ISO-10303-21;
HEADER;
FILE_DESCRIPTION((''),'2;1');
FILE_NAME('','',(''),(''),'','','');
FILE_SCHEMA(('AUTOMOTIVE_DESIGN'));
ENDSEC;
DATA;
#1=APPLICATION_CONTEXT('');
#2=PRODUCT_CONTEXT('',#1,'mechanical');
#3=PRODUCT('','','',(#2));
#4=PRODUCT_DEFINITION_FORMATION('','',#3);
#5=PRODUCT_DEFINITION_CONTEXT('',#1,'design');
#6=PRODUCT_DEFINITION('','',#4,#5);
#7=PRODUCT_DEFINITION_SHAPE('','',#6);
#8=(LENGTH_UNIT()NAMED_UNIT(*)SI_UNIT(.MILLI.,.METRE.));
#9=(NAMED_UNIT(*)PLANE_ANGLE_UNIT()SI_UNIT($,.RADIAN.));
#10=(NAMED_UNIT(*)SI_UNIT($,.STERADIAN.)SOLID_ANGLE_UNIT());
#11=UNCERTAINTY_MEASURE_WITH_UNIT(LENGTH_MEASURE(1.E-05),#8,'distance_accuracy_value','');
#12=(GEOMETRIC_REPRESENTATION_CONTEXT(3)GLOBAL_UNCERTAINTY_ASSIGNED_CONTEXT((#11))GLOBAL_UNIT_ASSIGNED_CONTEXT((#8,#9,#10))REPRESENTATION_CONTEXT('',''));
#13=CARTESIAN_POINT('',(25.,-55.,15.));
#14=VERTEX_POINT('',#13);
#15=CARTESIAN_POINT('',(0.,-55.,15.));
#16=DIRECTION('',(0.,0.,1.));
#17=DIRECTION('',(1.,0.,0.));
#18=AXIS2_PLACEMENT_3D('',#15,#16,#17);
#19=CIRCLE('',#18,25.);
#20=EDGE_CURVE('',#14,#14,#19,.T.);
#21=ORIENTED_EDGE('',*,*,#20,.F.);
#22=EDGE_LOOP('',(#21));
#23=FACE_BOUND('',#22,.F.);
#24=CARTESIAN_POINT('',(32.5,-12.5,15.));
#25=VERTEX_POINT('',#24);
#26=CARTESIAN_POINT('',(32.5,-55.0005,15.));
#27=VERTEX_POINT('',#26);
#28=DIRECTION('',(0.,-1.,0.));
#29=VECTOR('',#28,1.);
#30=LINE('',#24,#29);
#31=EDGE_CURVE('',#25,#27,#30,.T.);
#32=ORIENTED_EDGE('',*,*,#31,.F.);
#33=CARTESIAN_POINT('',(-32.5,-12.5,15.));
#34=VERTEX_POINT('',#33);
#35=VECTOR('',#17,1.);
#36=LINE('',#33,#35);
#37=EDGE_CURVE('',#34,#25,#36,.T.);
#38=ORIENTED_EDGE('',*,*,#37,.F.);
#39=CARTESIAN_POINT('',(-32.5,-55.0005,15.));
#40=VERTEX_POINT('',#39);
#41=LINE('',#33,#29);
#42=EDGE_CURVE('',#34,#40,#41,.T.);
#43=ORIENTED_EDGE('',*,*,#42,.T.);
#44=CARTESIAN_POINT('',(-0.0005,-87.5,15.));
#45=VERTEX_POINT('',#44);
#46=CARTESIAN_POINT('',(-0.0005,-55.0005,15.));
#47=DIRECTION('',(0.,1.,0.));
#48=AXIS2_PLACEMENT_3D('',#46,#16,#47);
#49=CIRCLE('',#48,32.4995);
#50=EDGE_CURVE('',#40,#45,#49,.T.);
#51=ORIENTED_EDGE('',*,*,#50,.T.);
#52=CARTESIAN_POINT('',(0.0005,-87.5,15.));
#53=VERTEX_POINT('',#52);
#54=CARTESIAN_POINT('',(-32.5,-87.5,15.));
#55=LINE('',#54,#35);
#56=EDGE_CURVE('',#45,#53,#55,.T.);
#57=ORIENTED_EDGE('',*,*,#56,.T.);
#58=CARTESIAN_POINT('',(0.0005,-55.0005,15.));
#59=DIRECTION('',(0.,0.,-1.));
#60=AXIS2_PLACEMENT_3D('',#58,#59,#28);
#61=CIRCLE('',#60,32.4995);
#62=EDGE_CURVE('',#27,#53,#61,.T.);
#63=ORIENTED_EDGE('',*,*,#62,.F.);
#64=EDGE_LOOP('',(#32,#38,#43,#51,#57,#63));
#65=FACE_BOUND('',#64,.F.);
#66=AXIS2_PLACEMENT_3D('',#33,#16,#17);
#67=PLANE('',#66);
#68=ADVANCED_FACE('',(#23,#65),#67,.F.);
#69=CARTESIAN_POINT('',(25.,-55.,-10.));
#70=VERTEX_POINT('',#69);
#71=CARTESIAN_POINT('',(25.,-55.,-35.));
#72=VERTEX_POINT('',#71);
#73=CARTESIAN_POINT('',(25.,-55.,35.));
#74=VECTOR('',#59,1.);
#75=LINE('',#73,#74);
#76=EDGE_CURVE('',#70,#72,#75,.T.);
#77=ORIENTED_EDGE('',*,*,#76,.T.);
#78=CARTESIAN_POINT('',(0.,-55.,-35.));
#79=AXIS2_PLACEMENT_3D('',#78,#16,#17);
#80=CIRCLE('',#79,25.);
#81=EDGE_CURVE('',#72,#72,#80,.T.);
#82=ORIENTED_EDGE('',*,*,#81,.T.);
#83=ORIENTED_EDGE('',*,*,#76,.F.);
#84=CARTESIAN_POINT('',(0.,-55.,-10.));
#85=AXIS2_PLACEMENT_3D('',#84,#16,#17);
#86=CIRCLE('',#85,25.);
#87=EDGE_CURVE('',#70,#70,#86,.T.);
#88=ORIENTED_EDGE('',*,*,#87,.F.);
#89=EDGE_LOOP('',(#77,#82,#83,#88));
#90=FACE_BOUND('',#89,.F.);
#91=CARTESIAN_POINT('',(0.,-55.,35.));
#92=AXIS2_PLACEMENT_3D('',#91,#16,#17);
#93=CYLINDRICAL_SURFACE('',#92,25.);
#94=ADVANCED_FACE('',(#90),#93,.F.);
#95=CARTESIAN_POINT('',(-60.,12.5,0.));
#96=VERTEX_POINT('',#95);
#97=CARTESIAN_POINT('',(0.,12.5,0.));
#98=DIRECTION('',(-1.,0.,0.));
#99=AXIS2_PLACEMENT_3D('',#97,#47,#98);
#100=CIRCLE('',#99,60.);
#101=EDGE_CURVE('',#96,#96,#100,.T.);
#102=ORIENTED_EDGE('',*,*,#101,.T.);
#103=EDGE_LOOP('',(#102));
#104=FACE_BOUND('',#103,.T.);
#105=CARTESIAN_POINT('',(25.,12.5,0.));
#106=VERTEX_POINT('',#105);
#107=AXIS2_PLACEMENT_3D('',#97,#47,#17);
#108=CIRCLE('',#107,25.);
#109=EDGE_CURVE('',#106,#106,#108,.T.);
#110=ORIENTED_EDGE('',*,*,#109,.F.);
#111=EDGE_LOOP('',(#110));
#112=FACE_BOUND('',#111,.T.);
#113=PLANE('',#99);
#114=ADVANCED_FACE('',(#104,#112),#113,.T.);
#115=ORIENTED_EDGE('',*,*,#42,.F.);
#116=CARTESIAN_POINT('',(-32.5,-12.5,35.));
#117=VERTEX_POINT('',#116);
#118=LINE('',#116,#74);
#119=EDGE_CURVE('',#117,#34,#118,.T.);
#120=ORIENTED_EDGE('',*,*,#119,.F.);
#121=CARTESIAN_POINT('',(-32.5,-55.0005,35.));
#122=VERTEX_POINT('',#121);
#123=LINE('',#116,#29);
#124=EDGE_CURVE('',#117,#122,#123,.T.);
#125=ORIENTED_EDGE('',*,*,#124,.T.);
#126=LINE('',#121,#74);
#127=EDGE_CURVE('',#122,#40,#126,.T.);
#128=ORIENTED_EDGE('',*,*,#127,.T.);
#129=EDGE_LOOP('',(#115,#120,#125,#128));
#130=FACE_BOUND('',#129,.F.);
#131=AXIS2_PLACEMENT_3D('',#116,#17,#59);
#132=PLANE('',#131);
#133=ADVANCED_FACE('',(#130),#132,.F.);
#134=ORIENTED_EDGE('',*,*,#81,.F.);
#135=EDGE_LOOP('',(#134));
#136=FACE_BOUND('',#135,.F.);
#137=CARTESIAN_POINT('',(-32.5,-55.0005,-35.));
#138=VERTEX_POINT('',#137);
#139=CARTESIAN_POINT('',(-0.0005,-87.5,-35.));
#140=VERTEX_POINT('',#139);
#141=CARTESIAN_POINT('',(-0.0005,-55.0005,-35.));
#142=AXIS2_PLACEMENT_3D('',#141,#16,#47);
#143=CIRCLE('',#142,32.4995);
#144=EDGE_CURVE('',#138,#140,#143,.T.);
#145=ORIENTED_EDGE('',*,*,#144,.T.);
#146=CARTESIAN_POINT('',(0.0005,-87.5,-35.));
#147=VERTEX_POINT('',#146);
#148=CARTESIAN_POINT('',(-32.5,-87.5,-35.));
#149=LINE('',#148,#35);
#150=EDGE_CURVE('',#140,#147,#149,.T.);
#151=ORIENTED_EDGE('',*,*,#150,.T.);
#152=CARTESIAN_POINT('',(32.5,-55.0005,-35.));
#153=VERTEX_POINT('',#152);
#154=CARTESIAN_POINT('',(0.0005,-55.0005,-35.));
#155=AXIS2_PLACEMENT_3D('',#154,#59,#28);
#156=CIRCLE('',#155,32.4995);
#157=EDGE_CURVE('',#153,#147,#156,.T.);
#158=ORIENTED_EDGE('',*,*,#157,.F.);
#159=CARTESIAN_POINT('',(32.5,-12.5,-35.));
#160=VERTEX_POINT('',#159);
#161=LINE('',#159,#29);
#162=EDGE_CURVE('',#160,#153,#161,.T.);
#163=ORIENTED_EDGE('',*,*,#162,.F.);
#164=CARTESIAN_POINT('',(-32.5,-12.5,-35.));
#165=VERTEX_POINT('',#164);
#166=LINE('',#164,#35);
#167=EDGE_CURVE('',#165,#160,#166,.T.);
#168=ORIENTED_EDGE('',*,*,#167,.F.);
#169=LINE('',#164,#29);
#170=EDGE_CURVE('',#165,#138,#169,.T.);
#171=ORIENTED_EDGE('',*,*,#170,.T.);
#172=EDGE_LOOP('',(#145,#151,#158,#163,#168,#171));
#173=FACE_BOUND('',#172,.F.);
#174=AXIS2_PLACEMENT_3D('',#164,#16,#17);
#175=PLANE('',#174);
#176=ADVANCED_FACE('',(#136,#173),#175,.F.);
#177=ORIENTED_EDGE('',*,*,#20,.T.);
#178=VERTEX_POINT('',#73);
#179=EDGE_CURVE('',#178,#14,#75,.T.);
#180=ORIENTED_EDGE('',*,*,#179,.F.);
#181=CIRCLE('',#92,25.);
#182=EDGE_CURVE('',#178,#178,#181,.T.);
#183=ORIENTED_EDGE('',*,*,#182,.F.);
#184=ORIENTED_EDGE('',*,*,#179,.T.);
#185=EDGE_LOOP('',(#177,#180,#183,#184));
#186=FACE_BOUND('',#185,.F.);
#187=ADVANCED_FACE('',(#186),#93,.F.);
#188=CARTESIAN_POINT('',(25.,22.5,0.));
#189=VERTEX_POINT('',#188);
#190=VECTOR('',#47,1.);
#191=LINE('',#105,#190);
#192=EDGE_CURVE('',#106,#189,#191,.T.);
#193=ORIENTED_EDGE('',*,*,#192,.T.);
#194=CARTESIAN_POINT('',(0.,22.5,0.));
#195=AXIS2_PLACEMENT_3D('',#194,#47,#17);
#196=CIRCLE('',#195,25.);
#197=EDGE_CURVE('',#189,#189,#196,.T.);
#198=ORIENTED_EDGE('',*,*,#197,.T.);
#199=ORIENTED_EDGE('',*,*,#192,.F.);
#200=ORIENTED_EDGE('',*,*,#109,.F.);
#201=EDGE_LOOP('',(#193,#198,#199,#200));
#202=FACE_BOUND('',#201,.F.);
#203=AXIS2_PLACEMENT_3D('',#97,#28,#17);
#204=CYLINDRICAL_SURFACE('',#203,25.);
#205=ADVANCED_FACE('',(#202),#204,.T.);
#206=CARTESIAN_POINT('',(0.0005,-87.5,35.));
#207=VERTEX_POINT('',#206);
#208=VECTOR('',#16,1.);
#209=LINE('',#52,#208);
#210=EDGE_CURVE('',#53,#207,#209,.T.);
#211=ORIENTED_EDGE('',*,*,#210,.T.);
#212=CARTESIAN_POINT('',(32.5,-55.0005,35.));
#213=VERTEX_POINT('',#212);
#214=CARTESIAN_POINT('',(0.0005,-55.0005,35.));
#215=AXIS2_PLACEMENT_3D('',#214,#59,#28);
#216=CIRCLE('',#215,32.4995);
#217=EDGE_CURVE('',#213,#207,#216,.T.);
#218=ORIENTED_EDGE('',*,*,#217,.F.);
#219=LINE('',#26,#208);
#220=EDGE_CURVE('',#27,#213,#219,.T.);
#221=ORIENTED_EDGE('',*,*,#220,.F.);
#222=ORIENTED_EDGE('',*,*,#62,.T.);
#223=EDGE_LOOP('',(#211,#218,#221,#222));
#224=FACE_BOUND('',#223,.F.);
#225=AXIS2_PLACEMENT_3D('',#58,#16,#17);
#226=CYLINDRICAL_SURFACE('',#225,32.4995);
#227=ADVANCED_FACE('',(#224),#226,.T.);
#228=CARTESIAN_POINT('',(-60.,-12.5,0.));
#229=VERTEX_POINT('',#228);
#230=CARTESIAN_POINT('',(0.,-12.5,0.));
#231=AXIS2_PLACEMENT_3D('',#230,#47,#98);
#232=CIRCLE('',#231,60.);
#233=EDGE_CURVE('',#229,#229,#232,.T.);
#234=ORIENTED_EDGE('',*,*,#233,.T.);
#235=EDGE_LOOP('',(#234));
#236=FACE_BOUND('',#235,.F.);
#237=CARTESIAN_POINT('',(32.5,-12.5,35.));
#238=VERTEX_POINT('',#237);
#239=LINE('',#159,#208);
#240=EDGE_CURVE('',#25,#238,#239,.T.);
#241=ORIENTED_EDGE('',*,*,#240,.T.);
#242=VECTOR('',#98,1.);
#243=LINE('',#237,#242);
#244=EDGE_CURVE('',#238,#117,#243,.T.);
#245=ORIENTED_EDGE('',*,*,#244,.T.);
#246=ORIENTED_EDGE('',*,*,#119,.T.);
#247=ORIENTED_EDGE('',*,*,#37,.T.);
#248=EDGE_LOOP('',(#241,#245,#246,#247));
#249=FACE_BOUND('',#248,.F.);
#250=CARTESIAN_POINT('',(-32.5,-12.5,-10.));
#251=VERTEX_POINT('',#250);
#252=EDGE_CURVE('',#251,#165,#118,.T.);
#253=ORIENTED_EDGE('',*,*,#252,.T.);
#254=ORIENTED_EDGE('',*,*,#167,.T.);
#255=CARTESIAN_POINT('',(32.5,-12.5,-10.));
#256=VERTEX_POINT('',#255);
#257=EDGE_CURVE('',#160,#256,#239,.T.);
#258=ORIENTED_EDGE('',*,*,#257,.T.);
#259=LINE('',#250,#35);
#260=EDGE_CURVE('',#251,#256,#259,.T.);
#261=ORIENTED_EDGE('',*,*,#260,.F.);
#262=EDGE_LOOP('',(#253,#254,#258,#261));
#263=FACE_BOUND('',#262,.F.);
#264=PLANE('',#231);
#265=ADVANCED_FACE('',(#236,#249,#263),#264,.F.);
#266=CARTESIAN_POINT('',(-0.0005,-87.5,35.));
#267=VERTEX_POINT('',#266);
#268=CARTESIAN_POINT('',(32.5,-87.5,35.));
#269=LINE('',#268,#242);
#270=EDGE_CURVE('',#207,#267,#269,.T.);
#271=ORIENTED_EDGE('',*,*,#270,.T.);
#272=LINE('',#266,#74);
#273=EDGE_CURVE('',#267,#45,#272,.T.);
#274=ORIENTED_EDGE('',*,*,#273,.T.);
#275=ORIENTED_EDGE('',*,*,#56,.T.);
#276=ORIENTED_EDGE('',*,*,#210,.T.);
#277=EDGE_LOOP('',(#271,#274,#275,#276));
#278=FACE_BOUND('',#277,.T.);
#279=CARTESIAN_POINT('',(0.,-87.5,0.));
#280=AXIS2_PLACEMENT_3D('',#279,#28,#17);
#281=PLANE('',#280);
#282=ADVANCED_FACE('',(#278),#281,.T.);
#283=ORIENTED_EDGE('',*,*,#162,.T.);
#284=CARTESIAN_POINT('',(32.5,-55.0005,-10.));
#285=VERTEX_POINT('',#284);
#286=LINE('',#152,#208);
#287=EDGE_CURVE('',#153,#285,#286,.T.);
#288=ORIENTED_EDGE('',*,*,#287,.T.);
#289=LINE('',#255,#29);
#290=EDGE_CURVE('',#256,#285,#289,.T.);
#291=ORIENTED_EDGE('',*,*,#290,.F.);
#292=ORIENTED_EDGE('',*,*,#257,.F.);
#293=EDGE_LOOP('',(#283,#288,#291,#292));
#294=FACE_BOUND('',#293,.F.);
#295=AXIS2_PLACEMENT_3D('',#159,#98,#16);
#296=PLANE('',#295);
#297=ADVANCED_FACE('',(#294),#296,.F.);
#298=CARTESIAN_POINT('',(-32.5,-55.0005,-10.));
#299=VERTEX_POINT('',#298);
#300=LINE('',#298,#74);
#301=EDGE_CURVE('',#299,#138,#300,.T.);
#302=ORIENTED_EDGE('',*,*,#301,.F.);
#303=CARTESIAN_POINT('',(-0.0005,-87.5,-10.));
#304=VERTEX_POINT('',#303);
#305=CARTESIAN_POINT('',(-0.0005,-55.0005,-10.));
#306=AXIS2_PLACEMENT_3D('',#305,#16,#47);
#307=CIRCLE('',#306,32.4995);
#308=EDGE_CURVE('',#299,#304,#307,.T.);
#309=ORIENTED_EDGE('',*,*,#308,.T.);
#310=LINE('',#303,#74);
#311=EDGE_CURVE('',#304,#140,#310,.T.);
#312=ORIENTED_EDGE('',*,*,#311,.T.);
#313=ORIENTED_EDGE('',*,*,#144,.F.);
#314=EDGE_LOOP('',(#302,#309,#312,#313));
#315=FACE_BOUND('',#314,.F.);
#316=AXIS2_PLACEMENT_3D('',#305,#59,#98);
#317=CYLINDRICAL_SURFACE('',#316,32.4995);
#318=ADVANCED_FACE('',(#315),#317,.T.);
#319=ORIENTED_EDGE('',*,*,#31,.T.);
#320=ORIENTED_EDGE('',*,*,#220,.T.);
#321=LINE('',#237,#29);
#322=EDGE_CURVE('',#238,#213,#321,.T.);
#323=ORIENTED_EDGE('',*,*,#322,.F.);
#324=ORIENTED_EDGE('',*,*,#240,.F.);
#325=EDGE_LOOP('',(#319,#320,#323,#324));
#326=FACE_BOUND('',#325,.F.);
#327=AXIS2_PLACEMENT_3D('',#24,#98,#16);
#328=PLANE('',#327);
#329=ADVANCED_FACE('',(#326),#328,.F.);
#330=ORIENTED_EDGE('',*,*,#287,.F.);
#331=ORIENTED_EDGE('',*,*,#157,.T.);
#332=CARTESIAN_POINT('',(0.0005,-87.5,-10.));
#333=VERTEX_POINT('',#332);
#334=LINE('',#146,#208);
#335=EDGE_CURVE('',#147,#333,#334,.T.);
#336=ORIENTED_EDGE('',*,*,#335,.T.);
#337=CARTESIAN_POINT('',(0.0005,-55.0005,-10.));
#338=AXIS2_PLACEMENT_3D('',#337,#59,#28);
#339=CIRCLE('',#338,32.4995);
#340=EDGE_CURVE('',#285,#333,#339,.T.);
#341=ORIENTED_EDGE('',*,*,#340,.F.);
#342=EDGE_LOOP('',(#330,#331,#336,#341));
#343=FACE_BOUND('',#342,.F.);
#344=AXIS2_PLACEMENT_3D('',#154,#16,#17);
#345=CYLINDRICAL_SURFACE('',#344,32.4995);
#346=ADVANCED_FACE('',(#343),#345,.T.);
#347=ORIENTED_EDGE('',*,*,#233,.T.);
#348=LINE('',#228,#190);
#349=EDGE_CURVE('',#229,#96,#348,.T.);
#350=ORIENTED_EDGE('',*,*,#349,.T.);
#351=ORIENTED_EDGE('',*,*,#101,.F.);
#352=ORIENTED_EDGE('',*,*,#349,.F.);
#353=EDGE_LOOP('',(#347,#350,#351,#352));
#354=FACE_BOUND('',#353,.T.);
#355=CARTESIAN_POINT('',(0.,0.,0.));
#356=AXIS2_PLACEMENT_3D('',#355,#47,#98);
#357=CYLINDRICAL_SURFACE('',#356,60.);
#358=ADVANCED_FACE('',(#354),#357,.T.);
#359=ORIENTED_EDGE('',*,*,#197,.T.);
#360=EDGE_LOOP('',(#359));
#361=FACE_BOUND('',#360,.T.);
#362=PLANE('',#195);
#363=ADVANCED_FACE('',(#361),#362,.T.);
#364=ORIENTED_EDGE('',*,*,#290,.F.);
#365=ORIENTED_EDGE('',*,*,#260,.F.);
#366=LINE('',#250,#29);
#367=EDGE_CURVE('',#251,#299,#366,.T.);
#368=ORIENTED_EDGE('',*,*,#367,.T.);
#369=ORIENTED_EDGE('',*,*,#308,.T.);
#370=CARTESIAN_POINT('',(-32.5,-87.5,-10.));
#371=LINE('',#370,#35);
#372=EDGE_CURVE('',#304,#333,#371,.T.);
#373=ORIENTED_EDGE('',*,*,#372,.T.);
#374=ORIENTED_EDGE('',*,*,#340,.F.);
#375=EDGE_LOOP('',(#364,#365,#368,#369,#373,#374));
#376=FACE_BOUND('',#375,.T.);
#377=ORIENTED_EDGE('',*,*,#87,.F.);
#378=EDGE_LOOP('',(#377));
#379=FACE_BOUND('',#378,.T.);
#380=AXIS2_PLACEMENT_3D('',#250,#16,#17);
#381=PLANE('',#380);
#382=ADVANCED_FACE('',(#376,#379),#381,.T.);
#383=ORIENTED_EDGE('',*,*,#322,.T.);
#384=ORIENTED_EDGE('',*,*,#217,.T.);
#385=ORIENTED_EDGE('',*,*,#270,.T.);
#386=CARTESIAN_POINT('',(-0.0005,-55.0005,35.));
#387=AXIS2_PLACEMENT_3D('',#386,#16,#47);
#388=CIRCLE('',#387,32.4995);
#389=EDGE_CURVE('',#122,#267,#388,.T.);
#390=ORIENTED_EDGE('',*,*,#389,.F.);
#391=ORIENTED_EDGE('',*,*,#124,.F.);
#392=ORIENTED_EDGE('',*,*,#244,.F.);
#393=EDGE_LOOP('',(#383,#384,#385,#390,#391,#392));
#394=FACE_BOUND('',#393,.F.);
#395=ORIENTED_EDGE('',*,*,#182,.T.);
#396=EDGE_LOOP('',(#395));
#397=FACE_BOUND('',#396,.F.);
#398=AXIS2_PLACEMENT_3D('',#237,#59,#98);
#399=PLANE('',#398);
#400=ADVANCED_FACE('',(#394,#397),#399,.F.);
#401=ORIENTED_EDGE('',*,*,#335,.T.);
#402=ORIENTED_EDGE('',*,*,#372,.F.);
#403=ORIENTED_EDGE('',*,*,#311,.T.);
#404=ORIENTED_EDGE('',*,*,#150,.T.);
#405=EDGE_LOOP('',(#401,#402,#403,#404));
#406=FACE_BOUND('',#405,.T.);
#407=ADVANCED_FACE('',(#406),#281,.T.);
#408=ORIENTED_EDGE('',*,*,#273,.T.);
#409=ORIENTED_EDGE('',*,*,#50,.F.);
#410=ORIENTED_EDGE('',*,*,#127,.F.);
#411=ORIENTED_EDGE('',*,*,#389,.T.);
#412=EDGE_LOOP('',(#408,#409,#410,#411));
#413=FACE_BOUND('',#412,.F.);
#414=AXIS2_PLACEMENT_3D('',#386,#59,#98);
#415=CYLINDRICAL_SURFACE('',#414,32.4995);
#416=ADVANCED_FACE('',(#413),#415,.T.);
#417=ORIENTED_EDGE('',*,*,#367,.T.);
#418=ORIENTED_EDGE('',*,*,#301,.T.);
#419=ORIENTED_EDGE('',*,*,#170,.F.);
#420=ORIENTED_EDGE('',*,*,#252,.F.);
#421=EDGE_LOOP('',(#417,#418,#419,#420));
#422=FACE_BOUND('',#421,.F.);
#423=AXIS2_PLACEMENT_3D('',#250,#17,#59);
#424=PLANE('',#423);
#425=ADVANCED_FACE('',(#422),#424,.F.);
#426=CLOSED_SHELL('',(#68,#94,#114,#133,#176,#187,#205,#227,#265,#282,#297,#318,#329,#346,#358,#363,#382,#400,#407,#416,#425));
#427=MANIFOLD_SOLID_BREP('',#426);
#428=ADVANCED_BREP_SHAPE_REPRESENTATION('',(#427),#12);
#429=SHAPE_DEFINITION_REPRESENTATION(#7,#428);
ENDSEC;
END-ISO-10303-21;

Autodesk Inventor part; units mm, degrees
ref_plane "YZ Plane" through (0, 0, 0) normal (1, 0, 0) x (0, 1, 0)
ref_plane "XZ Plane" through (0, 0, 0) normal (0, 1, 0) x (-1, 0, 0)
ref_plane "XY Plane" through (0, 0, 0) normal (0, 0, 1) x (1, 0, 0)
sketch "Sketch1" plane through (0, 0, 0) normal (0, 1, 0) x (-1, 0, 0)
  circle A0 centre (0, 0) radius 60
  dimension "d0" = 120
extrude "Extrusion1" add sketch "Sketch1" along normal mid plane 25
sketch "Sketch2" plane through (0, 12.5, 0) normal (0, 1, 0) x (1, 0, 0)
  circle A0 centre (0, 0) radius 60 projected
  circle A1 centre (0, 0) radius 25
  dimension "d3" = 50
extrude "Extrusion2" add sketch "Sketch2" along normal blind 10 contours A1
sketch "Sketch3" plane through (0, -12.5, 0) normal (0, -1, 0) x (1, 0, 0)
  line L0 (32.5, 35) -> (-32.5, 35)
  line L1 (-32.5, 35) -> (-32.5, -35)
  line L2 (-32.5, -35) -> (32.5, -35)
  line L3 (32.5, -35) -> (32.5, 35)
  line L4 (32.5, 35) -> (-32.5, -35) construction
  line L5 (-32.5, 35) -> (32.5, -35) construction
  line L6 (32.5, 35) -> (-32.5, 35)
  line L7 (-32.5, 35) -> (-32.5, 15)
  line L8 (-32.5, 15) -> (32.5, 15)
  line L9 (32.5, 15) -> (32.5, 35)
  line L10 (32.5, -35) -> (-32.5, -35)
  line L11 (-32.5, -35) -> (-32.5, -10)
  line L12 (-32.5, -10) -> (32.5, -10)
  line L13 (32.5, -10) -> (32.5, -35)
  point P0 (0, 0)
  dimension "d6" = 65
  dimension "d7" = 70
  dimension "d8" = 20
  dimension "d9" = 25
extrude "Extrusion3" add sketch "Sketch3" along normal blind 75 contours L3 L8 L1 L0 | L3 L2 L1 L12
fillet "Fillet1" radius 32.5 4 edges at (32.5, -87.5, 25) (-32.5, -87.5, 25) (-32.5, -87.5, -22.5) (32.5, -87.5, -22.5)
sketch "Sketch4" plane through (-32.5, -12.5, 35) normal (0, 0, 1) x (1, 0, 0)
  circle A0 centre (32.5, -42.5) radius 25
  arc A1 (0, -42.5) -> (65, -42.5) centre (32.5, -42.5) ccw projected
  point P0 (32.5, 12.5)
  dimension "d13" = 50
extrude "Extrusion4" cut sketch "Sketch4" against normal blind 112.75
properties part number "JOINT BASE1"
